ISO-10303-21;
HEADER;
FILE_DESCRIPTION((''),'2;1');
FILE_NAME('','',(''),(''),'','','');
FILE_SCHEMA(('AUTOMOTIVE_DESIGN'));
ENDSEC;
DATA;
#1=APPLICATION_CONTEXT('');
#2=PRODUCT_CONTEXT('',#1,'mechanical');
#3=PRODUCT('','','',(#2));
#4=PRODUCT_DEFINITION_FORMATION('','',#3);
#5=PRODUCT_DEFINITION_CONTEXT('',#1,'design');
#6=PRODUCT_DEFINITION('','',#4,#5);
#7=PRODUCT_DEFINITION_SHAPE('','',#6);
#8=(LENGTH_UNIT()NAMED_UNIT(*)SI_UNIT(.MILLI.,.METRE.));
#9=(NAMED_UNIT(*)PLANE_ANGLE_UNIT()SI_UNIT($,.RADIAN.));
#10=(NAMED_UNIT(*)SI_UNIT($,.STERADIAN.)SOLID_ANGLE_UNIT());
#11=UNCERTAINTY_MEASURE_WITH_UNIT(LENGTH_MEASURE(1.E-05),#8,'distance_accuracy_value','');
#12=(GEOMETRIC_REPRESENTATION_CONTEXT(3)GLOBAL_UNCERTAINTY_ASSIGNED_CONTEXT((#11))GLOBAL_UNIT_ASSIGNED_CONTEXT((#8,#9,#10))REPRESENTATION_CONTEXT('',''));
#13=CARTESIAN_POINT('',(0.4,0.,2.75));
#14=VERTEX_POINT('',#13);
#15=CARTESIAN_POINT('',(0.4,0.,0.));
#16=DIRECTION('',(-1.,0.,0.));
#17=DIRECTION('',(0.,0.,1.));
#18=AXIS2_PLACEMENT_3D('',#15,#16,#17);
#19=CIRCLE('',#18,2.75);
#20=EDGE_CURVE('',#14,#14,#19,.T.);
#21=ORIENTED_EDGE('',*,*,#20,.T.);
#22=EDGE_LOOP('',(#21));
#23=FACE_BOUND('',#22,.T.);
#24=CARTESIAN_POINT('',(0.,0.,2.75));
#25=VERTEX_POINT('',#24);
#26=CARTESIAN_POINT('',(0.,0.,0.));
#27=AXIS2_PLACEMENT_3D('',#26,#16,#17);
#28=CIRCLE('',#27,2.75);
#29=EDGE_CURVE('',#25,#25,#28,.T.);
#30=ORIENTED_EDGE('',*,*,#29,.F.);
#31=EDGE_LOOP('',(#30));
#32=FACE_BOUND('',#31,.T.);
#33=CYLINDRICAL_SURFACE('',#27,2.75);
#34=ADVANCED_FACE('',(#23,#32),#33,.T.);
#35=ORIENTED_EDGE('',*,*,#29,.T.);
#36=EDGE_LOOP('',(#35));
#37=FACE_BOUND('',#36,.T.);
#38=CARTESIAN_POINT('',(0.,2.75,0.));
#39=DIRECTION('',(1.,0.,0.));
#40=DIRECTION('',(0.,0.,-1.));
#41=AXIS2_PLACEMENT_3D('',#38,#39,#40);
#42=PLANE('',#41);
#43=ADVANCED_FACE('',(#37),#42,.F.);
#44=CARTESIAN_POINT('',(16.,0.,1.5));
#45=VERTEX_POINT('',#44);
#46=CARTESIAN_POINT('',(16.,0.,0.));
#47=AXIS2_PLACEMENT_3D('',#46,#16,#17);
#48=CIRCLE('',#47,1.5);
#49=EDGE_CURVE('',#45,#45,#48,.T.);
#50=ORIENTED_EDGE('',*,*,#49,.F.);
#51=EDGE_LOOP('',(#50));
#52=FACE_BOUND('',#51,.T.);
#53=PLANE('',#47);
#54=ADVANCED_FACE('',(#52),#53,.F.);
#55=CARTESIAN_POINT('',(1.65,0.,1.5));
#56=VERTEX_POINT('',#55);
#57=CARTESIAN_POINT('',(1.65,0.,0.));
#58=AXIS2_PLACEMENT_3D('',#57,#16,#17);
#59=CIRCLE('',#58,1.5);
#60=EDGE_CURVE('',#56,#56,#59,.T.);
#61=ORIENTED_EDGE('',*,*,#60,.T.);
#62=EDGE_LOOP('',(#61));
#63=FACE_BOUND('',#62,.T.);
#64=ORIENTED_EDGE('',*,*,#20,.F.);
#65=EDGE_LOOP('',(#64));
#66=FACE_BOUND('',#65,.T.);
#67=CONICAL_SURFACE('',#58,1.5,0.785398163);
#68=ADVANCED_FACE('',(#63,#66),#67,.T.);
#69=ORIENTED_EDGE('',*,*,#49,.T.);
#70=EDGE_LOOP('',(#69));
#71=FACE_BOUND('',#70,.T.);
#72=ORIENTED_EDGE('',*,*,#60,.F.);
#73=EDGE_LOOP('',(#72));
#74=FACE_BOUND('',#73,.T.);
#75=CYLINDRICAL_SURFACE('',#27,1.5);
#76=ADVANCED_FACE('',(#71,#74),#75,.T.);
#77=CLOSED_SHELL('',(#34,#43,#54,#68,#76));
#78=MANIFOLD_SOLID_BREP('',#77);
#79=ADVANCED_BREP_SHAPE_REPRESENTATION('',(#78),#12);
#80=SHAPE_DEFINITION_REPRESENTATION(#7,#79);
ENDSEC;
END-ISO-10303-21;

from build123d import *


with BuildPart() as part:
    # Esquisse1 → Révolution1 (revolve)
    with BuildSketch(Plane.XY, mode=Mode.PRIVATE) as r_volution1_sk:
        Polygon((0, 0), (16, 0), (16, 1.5), (1.65, 1.5), (0.4, 2.75), (0, 2.75), align=None)
    revolve(r_volution1_sk.sketch.rotate(Axis((0, 0, 0), (1, 0, 0)), 90), axis=Axis((0, 0, 0), (1, 0, 0)))


solid = part.part
